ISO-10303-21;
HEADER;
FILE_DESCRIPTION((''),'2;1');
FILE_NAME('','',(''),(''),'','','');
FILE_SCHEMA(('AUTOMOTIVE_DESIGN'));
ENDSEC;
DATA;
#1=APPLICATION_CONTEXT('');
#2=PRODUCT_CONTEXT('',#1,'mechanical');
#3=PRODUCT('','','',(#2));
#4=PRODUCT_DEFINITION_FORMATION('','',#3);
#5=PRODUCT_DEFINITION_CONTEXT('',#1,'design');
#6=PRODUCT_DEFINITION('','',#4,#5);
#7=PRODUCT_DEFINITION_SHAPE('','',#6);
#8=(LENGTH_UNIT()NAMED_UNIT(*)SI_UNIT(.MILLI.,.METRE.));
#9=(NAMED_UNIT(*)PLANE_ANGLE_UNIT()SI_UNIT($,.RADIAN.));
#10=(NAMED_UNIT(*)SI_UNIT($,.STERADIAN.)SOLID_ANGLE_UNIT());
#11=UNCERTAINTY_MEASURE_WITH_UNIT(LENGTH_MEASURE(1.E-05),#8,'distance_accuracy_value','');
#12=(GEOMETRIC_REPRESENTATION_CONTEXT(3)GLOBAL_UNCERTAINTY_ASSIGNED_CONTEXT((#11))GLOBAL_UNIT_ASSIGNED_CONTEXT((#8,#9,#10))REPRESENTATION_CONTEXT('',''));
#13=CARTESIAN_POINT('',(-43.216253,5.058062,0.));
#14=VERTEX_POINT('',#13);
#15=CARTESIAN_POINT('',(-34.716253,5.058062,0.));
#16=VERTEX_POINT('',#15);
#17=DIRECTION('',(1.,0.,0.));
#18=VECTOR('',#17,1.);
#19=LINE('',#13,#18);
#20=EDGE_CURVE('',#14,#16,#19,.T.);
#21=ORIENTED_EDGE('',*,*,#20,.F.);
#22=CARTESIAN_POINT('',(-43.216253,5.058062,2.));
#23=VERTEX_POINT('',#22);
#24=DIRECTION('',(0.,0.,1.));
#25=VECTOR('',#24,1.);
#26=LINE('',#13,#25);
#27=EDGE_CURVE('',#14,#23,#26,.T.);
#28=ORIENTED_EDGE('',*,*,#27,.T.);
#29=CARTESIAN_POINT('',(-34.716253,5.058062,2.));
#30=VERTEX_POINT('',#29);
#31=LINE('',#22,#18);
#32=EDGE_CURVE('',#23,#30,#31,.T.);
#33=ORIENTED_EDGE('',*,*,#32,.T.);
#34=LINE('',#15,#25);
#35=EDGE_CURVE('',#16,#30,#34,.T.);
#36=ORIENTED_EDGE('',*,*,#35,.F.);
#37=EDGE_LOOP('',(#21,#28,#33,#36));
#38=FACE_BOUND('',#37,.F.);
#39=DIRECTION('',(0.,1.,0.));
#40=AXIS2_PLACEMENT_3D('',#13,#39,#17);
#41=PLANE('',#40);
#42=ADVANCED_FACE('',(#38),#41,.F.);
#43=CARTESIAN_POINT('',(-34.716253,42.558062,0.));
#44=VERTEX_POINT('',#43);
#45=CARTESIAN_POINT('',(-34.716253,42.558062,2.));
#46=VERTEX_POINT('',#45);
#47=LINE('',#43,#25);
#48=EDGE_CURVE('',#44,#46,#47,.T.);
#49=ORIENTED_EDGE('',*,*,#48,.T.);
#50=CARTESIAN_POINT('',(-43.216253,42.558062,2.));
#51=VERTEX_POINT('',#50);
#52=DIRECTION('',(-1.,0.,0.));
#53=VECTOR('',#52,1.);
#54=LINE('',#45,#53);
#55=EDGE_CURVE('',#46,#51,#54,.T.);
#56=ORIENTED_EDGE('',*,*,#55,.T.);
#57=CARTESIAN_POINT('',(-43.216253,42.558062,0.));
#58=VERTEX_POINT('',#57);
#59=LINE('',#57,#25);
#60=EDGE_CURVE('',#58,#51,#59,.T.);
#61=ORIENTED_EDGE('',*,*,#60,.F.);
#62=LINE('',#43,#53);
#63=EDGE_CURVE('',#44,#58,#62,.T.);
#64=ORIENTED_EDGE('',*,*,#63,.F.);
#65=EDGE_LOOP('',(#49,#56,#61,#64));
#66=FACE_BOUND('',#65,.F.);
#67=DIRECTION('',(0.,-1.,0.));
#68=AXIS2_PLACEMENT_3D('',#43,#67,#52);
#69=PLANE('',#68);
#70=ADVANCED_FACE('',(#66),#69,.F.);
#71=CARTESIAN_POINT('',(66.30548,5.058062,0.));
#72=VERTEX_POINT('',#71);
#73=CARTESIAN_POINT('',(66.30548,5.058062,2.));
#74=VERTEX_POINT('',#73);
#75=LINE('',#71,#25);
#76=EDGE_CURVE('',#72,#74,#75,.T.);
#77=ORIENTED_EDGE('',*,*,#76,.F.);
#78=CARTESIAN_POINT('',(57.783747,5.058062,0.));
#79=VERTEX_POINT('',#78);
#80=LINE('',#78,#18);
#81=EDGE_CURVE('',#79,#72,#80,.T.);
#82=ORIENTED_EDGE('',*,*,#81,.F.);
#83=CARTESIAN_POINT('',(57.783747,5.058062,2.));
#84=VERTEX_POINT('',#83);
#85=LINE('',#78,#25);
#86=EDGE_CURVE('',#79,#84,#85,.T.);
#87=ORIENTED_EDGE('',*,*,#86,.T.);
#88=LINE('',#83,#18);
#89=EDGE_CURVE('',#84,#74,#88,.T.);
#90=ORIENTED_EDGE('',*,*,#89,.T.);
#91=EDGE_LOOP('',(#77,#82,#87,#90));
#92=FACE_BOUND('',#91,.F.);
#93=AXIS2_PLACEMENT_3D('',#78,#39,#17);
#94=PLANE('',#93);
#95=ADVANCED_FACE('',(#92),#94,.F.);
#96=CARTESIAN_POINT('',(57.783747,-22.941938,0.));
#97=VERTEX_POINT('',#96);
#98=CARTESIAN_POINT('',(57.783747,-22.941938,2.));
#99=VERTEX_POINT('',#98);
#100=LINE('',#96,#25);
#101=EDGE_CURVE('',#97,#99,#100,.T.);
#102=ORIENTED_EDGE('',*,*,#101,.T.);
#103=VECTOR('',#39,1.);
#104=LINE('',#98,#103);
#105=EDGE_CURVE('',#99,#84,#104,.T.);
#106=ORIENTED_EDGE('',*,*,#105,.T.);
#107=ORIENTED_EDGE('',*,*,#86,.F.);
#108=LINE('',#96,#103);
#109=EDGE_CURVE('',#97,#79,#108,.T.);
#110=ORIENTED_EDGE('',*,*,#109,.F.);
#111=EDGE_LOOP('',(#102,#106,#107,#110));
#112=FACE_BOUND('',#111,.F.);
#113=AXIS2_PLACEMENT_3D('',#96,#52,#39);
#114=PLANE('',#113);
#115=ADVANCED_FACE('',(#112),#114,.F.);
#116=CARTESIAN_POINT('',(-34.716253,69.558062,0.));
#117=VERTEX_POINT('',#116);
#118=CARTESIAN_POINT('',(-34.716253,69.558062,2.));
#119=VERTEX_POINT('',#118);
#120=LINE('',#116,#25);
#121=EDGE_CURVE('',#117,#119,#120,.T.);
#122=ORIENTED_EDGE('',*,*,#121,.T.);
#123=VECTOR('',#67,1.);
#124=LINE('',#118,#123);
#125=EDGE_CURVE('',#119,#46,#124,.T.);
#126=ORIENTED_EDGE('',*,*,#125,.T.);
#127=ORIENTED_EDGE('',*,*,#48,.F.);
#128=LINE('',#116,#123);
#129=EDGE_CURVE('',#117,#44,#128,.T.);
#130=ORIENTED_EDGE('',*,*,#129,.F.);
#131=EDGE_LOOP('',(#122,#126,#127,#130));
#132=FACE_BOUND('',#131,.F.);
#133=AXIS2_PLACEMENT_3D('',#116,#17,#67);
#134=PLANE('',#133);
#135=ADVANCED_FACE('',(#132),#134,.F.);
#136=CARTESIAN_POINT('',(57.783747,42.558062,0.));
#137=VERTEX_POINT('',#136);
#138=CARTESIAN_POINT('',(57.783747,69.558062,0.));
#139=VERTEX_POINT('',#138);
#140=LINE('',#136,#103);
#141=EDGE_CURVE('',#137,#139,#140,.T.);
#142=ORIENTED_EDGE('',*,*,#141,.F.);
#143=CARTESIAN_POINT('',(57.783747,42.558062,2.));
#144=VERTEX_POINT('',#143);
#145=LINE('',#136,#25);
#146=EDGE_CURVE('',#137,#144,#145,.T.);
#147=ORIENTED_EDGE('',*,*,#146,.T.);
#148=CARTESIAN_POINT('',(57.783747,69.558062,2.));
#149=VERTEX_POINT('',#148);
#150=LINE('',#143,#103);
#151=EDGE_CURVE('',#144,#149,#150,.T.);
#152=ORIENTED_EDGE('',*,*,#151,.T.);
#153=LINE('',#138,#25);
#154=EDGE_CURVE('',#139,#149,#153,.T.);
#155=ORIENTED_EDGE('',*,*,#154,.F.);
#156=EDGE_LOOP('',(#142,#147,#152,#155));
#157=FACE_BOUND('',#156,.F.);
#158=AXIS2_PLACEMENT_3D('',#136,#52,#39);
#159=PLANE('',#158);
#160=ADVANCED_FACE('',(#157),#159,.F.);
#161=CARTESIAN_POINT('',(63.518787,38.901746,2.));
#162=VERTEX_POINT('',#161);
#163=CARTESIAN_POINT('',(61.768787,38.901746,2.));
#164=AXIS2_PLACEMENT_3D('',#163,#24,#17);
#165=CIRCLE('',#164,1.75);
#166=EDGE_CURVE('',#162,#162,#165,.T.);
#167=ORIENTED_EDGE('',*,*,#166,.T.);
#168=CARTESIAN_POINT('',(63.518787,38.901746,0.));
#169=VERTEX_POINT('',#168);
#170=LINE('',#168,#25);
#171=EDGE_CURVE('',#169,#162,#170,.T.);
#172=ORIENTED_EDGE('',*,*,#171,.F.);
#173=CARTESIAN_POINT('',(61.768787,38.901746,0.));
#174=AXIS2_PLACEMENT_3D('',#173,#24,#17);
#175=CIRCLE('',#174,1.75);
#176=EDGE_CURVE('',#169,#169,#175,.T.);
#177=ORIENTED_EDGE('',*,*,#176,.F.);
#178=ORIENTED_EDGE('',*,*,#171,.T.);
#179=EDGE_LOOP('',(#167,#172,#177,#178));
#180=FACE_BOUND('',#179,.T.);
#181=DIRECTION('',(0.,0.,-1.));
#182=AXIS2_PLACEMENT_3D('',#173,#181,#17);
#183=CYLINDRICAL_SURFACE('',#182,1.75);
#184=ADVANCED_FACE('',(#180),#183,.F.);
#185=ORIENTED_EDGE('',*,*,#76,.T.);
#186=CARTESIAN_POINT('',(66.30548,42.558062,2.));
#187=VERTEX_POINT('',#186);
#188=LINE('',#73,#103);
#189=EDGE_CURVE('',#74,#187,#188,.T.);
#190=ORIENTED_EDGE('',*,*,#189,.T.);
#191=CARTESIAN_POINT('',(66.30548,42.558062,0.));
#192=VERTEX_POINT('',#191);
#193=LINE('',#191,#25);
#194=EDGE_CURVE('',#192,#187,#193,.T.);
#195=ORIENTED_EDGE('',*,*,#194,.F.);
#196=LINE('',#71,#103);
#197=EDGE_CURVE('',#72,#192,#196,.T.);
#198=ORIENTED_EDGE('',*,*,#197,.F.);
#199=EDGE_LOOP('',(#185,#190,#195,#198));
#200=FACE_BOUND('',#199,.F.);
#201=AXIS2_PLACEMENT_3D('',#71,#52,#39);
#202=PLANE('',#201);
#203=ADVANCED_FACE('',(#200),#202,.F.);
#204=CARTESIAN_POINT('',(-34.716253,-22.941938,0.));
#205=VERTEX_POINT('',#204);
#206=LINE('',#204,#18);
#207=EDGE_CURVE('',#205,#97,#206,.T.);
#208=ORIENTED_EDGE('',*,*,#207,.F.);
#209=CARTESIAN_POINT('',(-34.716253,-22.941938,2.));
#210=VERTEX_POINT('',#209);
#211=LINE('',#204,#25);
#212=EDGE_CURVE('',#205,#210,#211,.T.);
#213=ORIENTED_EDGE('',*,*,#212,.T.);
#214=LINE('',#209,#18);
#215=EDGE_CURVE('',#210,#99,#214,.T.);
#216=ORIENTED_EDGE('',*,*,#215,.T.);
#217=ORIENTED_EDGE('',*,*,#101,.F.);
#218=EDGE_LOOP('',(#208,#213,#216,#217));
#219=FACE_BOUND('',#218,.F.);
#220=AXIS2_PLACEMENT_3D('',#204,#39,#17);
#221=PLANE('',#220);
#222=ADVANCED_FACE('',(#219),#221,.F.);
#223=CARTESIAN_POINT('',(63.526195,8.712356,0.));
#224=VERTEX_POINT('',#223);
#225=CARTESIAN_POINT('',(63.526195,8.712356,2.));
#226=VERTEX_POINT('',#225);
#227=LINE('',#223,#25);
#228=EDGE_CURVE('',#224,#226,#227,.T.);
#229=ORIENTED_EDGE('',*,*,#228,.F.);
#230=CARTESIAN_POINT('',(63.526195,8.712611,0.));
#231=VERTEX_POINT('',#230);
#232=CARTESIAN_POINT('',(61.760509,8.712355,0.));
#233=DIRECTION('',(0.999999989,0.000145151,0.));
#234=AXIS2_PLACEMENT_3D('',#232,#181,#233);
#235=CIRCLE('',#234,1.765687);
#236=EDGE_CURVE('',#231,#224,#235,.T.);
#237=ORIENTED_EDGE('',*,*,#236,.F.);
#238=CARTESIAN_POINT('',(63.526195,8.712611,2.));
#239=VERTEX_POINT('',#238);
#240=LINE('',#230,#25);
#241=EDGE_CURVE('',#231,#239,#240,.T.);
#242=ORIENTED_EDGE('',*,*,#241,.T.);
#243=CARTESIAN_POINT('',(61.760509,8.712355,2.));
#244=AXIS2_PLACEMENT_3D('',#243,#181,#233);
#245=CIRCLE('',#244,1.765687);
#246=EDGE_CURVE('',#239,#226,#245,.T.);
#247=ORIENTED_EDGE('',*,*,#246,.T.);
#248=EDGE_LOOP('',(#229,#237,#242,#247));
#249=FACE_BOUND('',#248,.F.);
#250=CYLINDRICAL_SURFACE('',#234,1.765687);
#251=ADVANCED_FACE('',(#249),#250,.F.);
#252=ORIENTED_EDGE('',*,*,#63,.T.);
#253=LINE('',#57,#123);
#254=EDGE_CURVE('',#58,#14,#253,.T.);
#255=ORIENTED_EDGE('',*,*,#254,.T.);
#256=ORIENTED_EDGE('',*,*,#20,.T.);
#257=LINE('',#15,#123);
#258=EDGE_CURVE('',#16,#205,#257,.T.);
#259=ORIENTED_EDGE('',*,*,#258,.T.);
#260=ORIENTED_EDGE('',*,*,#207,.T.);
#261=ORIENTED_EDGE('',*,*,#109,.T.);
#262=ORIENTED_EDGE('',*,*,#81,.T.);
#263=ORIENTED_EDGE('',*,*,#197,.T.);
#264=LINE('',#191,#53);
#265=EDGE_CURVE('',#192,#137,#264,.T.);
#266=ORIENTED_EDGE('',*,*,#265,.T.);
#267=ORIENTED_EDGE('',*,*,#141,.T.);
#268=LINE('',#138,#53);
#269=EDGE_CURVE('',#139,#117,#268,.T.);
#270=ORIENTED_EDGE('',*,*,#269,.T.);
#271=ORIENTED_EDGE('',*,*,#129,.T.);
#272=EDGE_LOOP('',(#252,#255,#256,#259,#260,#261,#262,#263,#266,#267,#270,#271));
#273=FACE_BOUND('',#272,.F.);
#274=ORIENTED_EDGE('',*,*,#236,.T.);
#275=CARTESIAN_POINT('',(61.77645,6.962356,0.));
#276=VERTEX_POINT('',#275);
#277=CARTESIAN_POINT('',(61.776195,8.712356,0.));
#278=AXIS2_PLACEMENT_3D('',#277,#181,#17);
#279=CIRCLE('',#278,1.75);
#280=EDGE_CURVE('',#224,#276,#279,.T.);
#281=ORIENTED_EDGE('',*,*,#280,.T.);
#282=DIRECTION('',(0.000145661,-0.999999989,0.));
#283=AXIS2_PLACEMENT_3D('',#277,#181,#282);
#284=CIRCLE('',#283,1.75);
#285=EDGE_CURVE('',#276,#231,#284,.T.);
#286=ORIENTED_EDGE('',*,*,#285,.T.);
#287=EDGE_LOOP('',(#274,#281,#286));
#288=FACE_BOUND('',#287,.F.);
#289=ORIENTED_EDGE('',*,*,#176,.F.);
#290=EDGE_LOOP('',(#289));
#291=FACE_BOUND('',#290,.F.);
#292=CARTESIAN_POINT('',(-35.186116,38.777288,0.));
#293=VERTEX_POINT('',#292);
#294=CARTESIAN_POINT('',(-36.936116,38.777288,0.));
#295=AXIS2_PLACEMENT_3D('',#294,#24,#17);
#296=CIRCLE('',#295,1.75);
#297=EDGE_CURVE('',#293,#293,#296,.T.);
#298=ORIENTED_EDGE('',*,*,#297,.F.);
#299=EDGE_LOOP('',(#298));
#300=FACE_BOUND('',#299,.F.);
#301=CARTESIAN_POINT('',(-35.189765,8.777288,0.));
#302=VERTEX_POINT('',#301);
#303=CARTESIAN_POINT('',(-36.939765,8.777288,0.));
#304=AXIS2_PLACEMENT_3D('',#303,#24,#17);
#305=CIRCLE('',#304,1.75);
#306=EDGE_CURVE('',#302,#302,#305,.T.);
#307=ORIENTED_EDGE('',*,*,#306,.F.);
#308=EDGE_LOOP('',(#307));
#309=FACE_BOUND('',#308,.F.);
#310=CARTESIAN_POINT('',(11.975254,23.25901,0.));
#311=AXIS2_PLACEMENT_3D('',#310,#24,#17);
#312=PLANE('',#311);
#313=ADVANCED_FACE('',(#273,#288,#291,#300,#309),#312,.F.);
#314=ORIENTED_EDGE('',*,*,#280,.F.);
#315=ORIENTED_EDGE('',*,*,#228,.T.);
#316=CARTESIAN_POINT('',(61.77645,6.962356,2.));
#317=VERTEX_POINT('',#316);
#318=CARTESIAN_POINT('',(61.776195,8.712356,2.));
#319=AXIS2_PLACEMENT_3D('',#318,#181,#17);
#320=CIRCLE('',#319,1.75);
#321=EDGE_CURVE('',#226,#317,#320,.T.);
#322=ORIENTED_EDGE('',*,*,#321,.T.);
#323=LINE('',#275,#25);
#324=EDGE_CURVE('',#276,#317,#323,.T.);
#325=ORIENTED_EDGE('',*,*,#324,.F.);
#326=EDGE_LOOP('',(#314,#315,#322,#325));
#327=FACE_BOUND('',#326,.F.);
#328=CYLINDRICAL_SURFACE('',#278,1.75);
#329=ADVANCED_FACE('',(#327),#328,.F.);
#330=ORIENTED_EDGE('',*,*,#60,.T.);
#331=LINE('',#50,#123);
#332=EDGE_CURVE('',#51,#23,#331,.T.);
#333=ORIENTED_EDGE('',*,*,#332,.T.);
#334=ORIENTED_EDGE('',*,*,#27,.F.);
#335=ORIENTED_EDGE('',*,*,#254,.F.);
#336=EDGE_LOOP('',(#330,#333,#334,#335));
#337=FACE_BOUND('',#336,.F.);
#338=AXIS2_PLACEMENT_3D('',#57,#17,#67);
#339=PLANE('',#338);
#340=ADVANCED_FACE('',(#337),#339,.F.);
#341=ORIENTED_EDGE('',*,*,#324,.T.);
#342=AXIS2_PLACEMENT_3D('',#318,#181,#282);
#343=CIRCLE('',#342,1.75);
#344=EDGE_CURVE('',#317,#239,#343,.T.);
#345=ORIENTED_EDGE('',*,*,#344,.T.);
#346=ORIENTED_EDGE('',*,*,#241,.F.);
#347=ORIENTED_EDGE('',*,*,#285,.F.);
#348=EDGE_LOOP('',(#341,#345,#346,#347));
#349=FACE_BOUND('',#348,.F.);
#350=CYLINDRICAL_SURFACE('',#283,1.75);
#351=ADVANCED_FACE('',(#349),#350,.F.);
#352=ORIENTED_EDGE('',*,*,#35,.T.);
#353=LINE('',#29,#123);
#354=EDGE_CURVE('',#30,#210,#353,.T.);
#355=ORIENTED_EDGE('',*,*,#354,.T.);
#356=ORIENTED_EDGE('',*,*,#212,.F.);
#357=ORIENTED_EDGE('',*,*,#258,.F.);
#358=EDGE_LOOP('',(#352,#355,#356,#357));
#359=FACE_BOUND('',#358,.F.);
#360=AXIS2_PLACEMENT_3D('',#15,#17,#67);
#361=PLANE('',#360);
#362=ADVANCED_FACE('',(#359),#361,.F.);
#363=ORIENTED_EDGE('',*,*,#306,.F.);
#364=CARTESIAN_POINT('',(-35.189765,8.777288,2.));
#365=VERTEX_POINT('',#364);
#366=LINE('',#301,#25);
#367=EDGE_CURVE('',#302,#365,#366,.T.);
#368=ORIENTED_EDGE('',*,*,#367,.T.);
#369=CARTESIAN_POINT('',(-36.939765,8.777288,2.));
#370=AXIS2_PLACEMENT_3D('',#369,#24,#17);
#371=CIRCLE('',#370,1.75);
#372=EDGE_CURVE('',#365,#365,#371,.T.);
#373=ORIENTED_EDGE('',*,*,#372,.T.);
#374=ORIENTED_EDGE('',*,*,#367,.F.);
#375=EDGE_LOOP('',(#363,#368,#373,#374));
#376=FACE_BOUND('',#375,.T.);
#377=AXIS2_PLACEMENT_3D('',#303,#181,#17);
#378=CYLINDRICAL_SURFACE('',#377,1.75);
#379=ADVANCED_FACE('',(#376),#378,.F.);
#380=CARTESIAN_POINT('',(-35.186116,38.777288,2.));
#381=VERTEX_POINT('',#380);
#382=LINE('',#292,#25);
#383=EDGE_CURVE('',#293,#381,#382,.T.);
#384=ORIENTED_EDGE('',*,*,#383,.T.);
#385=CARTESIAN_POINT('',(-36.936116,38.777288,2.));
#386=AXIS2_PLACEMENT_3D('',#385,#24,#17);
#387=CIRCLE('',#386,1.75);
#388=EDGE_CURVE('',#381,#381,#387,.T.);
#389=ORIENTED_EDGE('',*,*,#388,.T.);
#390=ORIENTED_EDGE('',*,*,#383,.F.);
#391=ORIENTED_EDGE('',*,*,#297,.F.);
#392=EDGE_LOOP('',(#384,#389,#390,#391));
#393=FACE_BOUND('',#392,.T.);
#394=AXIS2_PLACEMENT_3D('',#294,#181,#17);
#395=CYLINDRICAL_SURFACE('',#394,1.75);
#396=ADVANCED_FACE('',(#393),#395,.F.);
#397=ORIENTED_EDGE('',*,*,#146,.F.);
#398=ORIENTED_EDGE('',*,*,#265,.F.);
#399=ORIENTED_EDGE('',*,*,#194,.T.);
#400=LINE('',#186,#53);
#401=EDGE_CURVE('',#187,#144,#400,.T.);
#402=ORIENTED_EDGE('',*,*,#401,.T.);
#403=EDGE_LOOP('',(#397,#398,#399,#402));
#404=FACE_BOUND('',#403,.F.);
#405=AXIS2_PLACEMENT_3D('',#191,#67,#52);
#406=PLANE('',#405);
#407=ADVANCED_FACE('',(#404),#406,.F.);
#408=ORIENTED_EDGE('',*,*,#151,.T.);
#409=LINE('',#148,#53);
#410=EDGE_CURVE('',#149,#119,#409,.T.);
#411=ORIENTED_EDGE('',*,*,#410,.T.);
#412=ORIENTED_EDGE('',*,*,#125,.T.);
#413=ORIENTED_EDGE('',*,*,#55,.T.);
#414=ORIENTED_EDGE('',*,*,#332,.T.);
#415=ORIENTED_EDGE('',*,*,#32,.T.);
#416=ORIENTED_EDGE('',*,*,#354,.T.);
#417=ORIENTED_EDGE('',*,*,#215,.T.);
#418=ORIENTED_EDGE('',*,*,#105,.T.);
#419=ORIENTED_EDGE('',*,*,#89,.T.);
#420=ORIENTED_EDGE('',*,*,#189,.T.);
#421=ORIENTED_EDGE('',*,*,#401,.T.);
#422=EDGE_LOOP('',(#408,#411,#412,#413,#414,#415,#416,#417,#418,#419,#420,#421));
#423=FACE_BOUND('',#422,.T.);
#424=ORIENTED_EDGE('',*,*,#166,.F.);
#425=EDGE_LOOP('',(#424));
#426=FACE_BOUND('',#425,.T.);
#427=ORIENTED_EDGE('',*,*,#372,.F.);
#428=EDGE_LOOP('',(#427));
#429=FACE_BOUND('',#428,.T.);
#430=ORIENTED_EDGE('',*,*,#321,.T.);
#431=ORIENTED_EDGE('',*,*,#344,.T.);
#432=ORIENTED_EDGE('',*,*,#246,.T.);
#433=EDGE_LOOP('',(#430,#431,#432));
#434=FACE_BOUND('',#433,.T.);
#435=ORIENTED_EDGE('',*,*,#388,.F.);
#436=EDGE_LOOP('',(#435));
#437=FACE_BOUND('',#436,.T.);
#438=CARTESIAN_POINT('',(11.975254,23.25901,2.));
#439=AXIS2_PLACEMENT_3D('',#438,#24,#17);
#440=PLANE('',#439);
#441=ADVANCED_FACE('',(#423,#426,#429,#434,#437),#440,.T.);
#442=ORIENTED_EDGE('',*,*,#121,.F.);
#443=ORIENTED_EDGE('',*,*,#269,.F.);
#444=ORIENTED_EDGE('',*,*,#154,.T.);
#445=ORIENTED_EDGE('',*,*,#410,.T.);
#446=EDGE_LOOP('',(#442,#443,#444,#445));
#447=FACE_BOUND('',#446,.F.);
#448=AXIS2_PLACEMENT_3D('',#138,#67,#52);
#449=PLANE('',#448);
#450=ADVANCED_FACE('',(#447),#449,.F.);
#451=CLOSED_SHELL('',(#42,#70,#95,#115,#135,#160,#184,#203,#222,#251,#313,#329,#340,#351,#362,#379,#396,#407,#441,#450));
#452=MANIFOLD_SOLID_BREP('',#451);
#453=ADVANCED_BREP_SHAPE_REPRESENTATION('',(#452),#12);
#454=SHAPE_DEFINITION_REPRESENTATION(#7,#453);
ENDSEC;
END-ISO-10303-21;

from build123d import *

# Parameters (mm, degrees)
F0_R     = 1.75
F1_DEPTH = 2


with BuildPart() as f1:
    # F0 (on Top) → F1 (new body)
    with BuildSketch(Plane.XY):
        with BuildLine():
            Line((57.7837471709, 69.5580622628), (-34.7162528291, 69.5580622628))
            Line((-34.7162528291, 69.5580622628), (-34.7162528291, 42.5580622628))
            Line((-34.7162528291, 42.5580622628), (-43.2162528291, 42.5580622628))
            Line((-43.2162528291, 42.5580622628), (-43.2162528291, 5.0580622628))
            Line((-43.2162528291, 5.0580622628), (-34.7162528291, 5.0580622628))
            Line((-34.7162528291, 5.0580622628), (-34.7162528291, -22.9419377372))
            Line((-34.7162528291, -22.9419377372), (57.7837471709, -22.9419377372))
            Line((57.7837471709, -22.9419377372), (57.7837471709, 5.0580622628))
            Line((57.7837471709, 5.0580622628), (61.776727438, 5.0580622628))
            Line((61.776727438, 5.0580622628), (61.7764500569, 6.9623562581))
            ThreePointArc((61.7764500569, 6.9623562581), (60.5385780505, 9.9496128474), (63.5261951319, 8.712611146))
            Line((63.5261951319, 8.712611146), (66.3054800854, 8.713015979))
            Line((66.3054800854, 8.713015979), (66.3054800854, 42.5580622628))
            Line((66.3054800854, 42.5580622628), (57.7837471709, 42.5580622628))
            Line((57.7837471709, 42.5580622628), (57.7837471709, 69.5580622628))
        make_face()
        with Locations((-36.9397651508, 8.7772880495)):
            Circle(F0_R, mode=Mode.SUBTRACT)
        with Locations((-36.9361157864, 38.7772880495)):
            Circle(F0_R, mode=Mode.SUBTRACT)
        with Locations((61.7687867672, 38.9017461427)):
            Circle(F0_R, mode=Mode.SUBTRACT)
        with BuildLine():
            Line((66.3054800854, 5.0580622628), (66.3054800854, 8.713015979))
            Line((66.3054800854, 8.713015979), (63.5261951319, 8.712611146))
            ThreePointArc((63.5261951319, 8.712611146), (63.5261951458, 8.7124836928), (63.5261951505, 8.7123562396))
            ThreePointArc((63.5261951505, 8.7123562396), (63.0137221373, 7.4750094988), (61.7764500569, 6.9623562581))
            Line((61.7764500569, 6.9623562581), (61.776727438, 5.0580622628))
            Line((61.776727438, 5.0580622628), (66.3054800854, 5.0580622628))
        make_face()
    extrude(amount=F1_DEPTH)


solid = f1.part
